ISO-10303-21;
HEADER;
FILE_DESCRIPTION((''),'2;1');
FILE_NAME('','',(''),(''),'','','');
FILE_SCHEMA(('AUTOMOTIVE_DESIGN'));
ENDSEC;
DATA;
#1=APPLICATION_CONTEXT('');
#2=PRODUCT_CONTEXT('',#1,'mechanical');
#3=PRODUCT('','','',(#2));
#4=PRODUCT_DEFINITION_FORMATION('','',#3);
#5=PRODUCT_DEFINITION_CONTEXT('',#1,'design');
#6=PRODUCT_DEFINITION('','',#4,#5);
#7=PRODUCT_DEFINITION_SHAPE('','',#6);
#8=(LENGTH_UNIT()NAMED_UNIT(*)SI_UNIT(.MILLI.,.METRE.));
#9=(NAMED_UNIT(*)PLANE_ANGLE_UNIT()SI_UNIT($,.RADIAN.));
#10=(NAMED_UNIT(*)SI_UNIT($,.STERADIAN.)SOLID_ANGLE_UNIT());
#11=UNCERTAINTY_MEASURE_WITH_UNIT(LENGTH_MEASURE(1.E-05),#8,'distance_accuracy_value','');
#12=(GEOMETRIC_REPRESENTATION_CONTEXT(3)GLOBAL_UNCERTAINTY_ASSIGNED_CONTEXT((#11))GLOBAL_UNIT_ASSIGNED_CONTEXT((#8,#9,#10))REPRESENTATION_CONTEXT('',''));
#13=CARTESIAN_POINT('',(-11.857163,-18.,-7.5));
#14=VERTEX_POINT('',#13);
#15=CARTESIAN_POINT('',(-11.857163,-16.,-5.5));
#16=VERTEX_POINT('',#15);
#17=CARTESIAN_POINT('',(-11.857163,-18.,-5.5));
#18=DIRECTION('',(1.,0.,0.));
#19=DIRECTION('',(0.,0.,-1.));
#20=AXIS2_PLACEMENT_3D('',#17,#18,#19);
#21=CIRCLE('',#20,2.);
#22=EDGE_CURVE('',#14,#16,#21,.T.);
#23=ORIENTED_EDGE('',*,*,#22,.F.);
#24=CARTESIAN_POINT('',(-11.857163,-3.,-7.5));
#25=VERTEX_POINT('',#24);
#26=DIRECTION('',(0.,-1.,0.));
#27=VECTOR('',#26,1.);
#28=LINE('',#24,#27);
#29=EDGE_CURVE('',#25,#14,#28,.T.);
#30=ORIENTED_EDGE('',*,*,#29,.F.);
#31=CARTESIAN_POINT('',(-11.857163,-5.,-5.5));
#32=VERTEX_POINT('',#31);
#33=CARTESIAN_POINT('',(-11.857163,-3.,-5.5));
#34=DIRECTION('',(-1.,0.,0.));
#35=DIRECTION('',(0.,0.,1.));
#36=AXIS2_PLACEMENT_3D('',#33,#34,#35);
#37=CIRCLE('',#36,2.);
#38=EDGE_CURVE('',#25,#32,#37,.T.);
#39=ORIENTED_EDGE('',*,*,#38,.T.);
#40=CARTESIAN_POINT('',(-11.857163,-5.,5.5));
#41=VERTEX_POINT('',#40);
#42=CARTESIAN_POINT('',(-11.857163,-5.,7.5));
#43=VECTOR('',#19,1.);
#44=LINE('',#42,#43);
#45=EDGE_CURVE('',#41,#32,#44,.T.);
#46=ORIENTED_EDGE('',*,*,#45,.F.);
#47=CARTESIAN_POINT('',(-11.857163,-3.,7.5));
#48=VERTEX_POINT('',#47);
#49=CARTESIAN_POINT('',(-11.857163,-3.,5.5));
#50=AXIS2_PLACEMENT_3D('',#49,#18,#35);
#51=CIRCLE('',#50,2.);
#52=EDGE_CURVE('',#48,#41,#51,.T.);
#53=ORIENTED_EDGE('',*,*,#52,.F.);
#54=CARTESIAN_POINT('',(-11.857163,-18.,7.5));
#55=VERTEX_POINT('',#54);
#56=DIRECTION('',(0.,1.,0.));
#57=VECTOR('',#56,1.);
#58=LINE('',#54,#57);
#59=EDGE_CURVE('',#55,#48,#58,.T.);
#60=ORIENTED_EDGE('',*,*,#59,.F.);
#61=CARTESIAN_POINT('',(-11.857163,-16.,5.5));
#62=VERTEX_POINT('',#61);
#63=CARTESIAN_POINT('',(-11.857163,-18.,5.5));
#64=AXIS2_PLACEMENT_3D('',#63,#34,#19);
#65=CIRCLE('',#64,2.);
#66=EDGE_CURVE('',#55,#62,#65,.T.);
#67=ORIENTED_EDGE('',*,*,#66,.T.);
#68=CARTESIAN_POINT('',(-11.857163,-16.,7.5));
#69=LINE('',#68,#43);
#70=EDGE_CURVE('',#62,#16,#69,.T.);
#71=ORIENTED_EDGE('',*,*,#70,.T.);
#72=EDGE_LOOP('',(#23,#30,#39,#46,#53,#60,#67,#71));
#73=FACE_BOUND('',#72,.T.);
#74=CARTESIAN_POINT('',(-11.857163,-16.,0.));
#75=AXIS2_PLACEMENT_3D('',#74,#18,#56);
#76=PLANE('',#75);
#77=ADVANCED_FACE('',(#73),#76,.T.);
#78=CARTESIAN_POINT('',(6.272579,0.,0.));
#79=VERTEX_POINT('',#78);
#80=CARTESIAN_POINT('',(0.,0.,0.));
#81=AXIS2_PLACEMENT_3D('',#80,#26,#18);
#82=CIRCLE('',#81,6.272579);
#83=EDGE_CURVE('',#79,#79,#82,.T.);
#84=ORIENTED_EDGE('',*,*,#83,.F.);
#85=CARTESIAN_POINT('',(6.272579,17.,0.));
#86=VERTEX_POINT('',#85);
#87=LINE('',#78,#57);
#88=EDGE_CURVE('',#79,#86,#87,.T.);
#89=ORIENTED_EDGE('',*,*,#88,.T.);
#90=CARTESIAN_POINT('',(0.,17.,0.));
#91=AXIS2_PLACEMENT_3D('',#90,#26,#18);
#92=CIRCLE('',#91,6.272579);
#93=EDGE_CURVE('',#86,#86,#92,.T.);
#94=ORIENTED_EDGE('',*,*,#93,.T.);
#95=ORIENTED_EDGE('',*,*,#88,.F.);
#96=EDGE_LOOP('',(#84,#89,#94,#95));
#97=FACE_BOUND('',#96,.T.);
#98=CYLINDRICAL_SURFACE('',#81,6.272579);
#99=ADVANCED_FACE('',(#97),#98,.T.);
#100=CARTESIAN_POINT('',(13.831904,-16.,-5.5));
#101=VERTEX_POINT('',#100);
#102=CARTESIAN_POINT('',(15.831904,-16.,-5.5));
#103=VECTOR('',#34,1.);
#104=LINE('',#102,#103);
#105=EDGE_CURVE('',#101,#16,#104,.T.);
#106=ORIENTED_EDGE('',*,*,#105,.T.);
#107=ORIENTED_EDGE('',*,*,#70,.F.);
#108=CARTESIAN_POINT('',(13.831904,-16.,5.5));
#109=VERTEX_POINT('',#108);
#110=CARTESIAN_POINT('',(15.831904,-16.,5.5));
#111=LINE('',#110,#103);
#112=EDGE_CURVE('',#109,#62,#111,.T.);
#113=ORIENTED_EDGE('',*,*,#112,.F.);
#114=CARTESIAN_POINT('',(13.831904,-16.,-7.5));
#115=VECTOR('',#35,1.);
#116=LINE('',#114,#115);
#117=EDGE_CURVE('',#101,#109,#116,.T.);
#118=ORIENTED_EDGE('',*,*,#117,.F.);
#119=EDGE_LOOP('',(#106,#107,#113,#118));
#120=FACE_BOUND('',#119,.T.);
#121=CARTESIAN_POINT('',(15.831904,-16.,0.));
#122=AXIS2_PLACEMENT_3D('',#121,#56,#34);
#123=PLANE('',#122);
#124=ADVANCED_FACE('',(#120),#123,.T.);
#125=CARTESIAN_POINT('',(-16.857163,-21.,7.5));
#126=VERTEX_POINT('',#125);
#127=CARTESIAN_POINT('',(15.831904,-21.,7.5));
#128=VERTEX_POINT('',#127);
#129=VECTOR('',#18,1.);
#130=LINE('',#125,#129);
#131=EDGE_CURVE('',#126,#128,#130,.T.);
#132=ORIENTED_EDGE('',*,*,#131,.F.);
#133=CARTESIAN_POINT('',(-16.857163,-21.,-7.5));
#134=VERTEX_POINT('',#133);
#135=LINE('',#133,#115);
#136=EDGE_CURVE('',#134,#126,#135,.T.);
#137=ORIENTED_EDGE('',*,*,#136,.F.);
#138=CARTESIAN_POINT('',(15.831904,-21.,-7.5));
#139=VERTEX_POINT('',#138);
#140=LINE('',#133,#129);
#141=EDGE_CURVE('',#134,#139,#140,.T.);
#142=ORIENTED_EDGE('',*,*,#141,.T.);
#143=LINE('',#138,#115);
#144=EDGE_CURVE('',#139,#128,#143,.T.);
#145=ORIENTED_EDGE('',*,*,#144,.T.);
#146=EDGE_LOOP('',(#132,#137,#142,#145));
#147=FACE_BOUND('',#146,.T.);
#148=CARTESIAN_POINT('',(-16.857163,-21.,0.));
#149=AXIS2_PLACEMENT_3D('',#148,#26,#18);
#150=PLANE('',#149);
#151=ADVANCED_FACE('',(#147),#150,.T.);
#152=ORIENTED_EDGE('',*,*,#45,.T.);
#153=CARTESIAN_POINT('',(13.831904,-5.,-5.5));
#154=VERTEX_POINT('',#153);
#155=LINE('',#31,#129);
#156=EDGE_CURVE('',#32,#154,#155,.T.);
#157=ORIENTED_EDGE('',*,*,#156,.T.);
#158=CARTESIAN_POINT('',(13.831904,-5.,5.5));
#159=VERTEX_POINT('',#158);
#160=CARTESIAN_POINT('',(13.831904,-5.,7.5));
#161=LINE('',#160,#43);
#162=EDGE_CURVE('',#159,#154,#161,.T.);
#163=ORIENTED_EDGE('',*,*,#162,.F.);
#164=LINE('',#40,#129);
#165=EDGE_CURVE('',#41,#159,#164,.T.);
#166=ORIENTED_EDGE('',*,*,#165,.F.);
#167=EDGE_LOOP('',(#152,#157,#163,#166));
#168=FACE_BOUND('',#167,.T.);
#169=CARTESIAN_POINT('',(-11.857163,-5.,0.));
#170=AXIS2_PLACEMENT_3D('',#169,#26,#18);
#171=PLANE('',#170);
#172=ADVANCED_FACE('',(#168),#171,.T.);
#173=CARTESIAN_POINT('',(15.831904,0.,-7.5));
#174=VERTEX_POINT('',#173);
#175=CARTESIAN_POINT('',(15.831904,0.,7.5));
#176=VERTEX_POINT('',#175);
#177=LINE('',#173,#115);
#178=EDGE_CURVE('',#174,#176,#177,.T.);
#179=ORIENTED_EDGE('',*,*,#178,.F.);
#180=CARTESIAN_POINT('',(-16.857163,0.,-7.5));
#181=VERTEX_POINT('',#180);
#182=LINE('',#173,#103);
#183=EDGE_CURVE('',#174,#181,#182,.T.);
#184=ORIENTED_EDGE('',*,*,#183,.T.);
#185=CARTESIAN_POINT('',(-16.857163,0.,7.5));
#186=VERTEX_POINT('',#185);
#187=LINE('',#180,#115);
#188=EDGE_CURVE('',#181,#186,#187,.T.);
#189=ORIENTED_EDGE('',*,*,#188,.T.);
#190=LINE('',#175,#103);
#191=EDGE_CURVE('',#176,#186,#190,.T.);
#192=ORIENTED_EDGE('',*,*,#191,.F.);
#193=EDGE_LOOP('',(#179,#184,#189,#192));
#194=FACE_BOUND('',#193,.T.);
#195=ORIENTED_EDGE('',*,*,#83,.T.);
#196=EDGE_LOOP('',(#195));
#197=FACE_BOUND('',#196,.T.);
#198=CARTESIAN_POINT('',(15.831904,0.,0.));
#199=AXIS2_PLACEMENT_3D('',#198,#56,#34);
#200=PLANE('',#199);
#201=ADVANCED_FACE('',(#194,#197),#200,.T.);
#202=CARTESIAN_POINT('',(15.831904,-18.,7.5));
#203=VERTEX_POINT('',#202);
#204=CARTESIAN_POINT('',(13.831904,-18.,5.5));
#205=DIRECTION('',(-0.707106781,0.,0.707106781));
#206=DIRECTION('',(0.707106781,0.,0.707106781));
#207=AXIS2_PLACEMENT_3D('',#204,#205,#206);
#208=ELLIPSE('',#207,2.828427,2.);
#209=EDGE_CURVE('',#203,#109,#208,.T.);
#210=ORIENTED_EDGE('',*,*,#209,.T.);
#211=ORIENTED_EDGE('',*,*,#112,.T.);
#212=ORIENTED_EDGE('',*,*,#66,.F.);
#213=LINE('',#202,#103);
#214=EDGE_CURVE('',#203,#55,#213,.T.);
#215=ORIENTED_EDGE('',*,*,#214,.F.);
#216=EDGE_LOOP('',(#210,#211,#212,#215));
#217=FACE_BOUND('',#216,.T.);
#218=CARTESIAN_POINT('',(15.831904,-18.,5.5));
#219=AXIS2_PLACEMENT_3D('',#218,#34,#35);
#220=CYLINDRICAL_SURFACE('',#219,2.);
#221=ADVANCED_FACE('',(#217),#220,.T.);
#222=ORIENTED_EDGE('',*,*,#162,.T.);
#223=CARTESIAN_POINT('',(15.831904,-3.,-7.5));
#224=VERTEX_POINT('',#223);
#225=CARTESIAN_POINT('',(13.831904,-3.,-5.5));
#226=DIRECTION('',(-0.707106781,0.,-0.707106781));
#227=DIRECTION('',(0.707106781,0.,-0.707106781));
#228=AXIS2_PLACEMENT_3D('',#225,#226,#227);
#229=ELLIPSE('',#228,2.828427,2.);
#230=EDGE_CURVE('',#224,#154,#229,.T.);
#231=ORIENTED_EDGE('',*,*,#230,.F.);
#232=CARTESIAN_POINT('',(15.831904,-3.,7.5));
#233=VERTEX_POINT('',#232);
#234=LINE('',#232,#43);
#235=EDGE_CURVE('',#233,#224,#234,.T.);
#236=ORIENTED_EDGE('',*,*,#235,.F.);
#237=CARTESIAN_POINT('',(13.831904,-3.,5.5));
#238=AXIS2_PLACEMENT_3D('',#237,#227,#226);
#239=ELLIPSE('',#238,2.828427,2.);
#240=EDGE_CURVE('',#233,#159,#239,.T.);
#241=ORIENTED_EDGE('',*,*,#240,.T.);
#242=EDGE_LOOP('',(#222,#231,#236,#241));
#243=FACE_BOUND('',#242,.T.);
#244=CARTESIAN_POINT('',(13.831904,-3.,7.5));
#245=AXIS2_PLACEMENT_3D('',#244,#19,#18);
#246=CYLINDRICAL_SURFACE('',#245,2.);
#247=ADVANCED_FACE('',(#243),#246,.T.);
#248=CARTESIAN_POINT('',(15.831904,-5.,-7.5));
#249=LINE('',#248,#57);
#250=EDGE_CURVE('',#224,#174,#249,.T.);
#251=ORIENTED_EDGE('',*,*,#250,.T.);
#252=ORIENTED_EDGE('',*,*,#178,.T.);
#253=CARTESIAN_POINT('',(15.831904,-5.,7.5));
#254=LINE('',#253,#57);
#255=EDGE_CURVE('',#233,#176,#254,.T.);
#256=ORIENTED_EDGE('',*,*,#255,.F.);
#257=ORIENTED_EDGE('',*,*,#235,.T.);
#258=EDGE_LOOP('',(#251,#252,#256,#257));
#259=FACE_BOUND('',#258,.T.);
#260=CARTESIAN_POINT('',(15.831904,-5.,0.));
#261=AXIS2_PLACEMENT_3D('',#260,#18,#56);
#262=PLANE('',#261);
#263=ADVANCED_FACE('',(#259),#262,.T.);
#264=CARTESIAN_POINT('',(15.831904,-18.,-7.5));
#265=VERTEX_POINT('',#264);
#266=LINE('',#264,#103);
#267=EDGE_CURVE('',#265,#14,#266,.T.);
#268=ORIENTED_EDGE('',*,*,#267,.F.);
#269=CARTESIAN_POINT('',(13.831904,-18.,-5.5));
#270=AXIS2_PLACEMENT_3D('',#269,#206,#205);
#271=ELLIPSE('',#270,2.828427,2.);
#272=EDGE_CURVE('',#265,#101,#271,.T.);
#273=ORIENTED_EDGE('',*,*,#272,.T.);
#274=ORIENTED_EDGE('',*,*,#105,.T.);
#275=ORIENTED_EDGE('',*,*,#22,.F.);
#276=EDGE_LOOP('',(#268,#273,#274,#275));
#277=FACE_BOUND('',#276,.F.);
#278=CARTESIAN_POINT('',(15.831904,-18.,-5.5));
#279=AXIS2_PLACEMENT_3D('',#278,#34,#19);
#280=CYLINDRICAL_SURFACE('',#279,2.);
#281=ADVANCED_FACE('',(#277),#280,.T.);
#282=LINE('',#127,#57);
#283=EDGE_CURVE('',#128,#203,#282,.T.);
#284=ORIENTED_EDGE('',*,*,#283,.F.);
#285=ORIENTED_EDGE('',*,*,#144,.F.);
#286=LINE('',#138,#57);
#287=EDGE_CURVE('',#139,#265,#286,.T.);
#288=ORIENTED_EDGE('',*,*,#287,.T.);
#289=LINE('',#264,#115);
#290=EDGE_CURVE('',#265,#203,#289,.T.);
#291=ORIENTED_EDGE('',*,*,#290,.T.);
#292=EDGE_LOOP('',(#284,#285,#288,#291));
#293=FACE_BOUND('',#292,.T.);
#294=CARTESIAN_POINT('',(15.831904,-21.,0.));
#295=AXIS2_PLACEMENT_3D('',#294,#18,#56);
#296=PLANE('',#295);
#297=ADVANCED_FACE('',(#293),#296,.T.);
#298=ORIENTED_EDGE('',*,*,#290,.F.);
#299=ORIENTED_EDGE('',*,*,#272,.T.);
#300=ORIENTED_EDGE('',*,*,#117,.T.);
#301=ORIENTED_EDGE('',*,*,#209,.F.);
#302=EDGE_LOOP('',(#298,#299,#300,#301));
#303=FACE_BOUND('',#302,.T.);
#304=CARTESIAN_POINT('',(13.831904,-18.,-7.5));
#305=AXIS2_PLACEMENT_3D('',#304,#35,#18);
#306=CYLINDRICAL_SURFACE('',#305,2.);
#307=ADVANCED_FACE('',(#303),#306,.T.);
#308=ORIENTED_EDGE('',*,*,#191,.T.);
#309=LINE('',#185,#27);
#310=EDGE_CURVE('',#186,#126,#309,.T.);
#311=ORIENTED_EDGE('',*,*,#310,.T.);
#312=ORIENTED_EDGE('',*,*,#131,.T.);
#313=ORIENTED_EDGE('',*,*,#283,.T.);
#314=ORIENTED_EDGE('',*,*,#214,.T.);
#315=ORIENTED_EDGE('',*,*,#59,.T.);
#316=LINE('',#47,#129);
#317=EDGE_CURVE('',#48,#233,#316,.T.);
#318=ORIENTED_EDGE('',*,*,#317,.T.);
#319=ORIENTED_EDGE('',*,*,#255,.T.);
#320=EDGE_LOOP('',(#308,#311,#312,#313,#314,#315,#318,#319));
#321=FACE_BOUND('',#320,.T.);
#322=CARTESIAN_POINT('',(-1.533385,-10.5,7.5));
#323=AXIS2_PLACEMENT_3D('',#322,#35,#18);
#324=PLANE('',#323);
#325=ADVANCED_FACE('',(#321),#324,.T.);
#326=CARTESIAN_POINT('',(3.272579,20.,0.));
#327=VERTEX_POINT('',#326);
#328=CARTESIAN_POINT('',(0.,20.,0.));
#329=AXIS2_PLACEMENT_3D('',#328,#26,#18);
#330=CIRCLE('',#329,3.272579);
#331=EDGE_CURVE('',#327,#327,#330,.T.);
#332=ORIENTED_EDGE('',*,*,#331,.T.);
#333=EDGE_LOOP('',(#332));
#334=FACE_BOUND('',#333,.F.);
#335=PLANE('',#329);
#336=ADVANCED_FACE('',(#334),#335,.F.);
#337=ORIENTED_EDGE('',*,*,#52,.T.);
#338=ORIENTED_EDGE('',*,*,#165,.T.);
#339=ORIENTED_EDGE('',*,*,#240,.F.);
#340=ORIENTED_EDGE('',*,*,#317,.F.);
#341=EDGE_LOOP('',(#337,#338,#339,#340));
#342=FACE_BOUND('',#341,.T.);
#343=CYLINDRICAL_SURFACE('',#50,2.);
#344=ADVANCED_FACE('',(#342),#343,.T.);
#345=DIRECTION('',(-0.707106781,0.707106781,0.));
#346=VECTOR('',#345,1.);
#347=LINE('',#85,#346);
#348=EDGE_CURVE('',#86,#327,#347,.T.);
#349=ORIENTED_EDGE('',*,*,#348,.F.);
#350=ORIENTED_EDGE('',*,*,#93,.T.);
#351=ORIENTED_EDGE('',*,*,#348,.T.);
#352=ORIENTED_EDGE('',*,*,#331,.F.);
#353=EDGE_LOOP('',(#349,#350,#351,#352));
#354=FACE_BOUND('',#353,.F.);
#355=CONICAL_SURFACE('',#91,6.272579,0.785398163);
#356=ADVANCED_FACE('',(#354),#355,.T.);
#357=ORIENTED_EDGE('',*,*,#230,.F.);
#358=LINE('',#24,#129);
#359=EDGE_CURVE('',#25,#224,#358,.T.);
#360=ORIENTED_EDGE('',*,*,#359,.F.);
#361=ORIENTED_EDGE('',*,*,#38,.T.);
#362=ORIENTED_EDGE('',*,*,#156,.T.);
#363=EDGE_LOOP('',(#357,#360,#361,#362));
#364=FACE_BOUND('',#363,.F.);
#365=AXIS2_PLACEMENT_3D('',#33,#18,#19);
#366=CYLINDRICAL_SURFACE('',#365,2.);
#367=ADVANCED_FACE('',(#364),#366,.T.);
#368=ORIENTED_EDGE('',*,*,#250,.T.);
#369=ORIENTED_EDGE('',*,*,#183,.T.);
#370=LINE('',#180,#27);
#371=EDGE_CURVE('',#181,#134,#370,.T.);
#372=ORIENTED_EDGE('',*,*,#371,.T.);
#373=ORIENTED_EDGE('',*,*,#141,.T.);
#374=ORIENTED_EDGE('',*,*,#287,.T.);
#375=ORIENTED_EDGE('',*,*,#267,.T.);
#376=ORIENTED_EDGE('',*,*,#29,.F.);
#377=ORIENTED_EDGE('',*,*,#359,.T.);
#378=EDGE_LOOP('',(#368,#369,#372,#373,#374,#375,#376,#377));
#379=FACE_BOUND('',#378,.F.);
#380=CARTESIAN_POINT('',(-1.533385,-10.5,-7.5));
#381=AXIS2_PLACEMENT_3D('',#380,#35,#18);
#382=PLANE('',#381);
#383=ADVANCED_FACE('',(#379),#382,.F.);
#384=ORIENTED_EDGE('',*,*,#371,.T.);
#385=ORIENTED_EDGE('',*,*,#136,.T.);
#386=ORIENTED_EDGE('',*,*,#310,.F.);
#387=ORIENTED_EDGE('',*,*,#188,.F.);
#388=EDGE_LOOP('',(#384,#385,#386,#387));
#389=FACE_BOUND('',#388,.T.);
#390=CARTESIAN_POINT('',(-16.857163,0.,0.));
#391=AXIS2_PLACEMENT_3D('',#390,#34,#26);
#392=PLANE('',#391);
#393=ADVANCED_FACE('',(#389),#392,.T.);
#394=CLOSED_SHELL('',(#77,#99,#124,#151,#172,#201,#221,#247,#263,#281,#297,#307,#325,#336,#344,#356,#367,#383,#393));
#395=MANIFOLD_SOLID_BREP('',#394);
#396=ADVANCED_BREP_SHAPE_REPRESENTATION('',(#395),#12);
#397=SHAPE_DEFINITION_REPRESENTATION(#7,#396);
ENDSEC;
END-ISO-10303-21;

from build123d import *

# Parameters (mm, degrees)
F1_DEPTH = 7.5
F2_R     = 6.272579
F3_DEPTH = 20
F4_SIZE  = 3
F5_R     = 2


with BuildPart() as f1:
    # F0 (on Top) → F1 (new body, symmetric)
    with BuildSketch(Plane.XY):
        Polygon((15.831904, -5), (15.831904, 0), (-16.857163, 0), (-16.857163, -21), (15.831904, -21), (15.831904, -16), (-11.857163, -16), (-11.857163, -5), align=None)
    extrude(amount=F1_DEPTH, both=True)

    # F2 (on Front) → F3 (join)
    with BuildSketch(Plane.XZ):
        Circle(F2_R)
    extrude(amount=-F3_DEPTH)

    # F4
    f4_edges = [f1.edges().sort_by_distance(p)[0] for p in [
        (-6.272579, 20, 0),
    ]]
    chamfer(f4_edges, length=F4_SIZE)

    # F5
    f5_edges = [f1.edges().sort_by_distance(p)[0] for p in [
        (1.98737, -5, -7.5),
        (1.98737, -16, -7.5),
        (15.831904, -16, 0),
        (15.831904, -5, 0),
        (1.98737, -5, 7.5),
        (1.98737, -16, 7.5),
    ]]
    fillet(f5_edges, radius=F5_R)


solid = f1.part
